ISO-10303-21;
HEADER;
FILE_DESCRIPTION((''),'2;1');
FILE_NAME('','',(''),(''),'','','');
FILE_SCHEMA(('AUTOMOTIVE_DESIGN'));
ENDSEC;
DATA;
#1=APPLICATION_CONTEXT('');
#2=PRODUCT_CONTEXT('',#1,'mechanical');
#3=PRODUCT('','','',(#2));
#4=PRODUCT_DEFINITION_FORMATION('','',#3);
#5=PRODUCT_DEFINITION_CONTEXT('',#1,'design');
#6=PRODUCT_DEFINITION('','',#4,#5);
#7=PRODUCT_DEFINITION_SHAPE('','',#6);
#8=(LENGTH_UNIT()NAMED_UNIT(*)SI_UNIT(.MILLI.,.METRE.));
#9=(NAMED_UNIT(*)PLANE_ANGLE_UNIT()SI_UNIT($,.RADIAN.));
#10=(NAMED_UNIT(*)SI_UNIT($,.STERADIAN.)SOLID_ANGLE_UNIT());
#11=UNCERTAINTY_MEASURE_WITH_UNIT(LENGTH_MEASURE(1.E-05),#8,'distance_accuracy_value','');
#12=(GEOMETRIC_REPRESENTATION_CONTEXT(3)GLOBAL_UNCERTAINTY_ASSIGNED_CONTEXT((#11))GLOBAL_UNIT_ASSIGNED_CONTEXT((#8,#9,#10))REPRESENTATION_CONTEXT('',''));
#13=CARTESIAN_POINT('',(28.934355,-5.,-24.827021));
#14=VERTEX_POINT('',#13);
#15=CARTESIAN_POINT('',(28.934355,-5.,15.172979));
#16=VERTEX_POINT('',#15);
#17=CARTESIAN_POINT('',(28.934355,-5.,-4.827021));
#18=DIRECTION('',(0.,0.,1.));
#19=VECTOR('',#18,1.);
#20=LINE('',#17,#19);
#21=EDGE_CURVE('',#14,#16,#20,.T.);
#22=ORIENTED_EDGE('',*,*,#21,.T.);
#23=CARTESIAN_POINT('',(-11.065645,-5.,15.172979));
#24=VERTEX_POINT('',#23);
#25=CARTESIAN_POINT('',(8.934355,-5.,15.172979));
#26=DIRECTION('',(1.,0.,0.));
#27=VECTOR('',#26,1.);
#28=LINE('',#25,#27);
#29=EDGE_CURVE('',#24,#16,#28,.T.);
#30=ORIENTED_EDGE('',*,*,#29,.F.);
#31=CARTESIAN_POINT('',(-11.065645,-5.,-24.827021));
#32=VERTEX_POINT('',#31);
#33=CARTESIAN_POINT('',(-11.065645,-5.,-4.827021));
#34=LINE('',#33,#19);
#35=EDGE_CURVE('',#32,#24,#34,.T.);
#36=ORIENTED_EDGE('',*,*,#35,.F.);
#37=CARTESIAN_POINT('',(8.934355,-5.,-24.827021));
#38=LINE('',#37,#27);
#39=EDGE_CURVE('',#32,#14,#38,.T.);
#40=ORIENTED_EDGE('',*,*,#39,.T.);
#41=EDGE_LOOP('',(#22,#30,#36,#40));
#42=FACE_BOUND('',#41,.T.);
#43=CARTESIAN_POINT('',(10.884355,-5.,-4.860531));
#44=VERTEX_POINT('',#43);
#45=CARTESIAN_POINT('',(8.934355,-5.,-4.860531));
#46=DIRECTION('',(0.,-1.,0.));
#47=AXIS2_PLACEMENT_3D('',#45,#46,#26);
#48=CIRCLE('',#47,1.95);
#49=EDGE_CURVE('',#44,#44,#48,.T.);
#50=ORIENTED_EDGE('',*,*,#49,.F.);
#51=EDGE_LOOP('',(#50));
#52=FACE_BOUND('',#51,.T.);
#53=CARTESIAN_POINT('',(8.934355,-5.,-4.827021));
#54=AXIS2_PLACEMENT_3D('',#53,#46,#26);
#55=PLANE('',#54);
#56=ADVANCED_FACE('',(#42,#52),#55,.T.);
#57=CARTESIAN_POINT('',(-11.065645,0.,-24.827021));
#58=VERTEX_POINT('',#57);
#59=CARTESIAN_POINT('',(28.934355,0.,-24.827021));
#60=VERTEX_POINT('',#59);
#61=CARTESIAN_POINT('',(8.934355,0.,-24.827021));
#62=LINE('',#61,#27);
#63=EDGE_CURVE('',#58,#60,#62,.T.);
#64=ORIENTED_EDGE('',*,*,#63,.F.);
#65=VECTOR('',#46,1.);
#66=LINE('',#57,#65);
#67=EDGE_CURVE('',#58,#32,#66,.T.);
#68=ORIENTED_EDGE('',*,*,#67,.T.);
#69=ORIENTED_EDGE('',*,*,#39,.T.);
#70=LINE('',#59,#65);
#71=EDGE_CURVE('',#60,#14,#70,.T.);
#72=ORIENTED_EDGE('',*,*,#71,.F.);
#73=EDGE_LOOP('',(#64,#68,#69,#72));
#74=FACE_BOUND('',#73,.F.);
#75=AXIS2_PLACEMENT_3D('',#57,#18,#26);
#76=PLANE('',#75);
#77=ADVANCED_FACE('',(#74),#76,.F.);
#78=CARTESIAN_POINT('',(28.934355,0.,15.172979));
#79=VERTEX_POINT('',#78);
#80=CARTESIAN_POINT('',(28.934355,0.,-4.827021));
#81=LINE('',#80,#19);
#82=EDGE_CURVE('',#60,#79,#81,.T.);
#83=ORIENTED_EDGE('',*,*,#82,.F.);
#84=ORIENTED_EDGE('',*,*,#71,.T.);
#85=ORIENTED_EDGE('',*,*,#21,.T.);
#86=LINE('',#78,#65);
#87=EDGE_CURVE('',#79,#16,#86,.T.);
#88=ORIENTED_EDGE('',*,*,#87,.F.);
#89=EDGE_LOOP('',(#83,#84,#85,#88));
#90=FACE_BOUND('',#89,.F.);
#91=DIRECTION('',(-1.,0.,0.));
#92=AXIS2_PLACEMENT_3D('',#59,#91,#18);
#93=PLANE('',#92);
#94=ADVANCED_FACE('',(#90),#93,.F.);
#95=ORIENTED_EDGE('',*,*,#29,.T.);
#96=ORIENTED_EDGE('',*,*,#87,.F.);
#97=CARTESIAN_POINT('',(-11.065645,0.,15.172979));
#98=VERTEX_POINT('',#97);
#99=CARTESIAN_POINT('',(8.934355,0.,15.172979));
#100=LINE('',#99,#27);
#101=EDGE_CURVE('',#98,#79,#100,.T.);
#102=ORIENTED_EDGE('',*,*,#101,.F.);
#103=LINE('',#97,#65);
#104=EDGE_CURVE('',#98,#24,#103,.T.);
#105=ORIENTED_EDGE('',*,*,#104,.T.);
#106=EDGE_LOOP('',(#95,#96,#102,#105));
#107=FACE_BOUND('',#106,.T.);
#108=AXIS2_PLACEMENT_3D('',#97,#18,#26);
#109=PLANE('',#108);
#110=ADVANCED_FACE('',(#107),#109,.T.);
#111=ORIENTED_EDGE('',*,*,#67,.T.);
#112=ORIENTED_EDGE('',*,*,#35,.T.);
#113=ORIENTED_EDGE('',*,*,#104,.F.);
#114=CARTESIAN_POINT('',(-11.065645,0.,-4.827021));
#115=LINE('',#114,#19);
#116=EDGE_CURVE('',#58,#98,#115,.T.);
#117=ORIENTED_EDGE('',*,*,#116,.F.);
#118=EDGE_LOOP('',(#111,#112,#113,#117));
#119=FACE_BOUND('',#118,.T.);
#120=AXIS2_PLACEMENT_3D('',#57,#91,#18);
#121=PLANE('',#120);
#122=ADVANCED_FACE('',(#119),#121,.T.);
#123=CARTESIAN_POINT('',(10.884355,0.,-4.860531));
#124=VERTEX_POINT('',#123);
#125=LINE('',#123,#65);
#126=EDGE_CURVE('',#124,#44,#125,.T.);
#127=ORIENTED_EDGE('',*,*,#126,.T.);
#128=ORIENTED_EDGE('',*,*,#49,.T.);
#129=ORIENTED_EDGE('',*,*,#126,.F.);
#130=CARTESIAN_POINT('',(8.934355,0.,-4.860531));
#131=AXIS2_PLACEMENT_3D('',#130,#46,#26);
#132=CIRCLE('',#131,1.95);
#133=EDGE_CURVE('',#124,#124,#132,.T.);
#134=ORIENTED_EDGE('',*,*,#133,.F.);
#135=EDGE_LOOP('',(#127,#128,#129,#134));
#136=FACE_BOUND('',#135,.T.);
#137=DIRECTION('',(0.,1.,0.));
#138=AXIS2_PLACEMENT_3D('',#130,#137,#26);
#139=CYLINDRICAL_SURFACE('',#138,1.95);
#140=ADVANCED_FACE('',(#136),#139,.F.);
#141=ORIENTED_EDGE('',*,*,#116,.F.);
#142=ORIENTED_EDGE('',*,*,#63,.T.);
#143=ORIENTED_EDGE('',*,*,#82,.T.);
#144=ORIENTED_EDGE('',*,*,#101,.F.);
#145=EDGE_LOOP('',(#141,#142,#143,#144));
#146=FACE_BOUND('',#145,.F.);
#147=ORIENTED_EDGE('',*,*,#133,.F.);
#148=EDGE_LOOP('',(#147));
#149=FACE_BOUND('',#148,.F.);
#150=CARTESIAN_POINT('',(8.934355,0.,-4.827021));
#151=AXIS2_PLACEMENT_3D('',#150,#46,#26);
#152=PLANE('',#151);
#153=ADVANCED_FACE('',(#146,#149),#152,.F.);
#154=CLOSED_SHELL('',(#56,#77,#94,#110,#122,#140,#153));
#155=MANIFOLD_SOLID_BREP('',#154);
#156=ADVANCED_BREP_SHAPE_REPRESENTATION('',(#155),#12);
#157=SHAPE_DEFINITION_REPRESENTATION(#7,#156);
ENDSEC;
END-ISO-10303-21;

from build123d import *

# Parameters (mm, degrees)
SKETCH_AS_DRAWN_W              = 40
SKETCH_AS_DRAWN_H              = 40
SKETCH_AS_DRAWN_R              = 1.95
EXTRUDE_DEPTH                  = 5
EXTRUDE_ONTO_SKETCH_ROLL_ANGLE = 90


with BuildPart() as part:
    # Sketch as drawn → Extrude (new)
    with BuildSketch(Plane.XY):
        with Locations((8.934355, -4.827021)):
            Rectangle(SKETCH_AS_DRAWN_W, SKETCH_AS_DRAWN_H)
        with Locations((8.934355, -4.860531)):
            Circle(SKETCH_AS_DRAWN_R, mode=Mode.SUBTRACT)
    extrude(amount=EXTRUDE_DEPTH)


with BuildPart() as part_1:
    # Extrude onto Sketch roll: moved
    add(part.part.rotate(Axis((0, 0, 0), (1, 0, 0)), EXTRUDE_ONTO_SKETCH_ROLL_ANGLE))


with BuildPart() as part_2:
    # Extrude onto Sketch placement: moved
    add(part_1.part)


solid = part_2.part
